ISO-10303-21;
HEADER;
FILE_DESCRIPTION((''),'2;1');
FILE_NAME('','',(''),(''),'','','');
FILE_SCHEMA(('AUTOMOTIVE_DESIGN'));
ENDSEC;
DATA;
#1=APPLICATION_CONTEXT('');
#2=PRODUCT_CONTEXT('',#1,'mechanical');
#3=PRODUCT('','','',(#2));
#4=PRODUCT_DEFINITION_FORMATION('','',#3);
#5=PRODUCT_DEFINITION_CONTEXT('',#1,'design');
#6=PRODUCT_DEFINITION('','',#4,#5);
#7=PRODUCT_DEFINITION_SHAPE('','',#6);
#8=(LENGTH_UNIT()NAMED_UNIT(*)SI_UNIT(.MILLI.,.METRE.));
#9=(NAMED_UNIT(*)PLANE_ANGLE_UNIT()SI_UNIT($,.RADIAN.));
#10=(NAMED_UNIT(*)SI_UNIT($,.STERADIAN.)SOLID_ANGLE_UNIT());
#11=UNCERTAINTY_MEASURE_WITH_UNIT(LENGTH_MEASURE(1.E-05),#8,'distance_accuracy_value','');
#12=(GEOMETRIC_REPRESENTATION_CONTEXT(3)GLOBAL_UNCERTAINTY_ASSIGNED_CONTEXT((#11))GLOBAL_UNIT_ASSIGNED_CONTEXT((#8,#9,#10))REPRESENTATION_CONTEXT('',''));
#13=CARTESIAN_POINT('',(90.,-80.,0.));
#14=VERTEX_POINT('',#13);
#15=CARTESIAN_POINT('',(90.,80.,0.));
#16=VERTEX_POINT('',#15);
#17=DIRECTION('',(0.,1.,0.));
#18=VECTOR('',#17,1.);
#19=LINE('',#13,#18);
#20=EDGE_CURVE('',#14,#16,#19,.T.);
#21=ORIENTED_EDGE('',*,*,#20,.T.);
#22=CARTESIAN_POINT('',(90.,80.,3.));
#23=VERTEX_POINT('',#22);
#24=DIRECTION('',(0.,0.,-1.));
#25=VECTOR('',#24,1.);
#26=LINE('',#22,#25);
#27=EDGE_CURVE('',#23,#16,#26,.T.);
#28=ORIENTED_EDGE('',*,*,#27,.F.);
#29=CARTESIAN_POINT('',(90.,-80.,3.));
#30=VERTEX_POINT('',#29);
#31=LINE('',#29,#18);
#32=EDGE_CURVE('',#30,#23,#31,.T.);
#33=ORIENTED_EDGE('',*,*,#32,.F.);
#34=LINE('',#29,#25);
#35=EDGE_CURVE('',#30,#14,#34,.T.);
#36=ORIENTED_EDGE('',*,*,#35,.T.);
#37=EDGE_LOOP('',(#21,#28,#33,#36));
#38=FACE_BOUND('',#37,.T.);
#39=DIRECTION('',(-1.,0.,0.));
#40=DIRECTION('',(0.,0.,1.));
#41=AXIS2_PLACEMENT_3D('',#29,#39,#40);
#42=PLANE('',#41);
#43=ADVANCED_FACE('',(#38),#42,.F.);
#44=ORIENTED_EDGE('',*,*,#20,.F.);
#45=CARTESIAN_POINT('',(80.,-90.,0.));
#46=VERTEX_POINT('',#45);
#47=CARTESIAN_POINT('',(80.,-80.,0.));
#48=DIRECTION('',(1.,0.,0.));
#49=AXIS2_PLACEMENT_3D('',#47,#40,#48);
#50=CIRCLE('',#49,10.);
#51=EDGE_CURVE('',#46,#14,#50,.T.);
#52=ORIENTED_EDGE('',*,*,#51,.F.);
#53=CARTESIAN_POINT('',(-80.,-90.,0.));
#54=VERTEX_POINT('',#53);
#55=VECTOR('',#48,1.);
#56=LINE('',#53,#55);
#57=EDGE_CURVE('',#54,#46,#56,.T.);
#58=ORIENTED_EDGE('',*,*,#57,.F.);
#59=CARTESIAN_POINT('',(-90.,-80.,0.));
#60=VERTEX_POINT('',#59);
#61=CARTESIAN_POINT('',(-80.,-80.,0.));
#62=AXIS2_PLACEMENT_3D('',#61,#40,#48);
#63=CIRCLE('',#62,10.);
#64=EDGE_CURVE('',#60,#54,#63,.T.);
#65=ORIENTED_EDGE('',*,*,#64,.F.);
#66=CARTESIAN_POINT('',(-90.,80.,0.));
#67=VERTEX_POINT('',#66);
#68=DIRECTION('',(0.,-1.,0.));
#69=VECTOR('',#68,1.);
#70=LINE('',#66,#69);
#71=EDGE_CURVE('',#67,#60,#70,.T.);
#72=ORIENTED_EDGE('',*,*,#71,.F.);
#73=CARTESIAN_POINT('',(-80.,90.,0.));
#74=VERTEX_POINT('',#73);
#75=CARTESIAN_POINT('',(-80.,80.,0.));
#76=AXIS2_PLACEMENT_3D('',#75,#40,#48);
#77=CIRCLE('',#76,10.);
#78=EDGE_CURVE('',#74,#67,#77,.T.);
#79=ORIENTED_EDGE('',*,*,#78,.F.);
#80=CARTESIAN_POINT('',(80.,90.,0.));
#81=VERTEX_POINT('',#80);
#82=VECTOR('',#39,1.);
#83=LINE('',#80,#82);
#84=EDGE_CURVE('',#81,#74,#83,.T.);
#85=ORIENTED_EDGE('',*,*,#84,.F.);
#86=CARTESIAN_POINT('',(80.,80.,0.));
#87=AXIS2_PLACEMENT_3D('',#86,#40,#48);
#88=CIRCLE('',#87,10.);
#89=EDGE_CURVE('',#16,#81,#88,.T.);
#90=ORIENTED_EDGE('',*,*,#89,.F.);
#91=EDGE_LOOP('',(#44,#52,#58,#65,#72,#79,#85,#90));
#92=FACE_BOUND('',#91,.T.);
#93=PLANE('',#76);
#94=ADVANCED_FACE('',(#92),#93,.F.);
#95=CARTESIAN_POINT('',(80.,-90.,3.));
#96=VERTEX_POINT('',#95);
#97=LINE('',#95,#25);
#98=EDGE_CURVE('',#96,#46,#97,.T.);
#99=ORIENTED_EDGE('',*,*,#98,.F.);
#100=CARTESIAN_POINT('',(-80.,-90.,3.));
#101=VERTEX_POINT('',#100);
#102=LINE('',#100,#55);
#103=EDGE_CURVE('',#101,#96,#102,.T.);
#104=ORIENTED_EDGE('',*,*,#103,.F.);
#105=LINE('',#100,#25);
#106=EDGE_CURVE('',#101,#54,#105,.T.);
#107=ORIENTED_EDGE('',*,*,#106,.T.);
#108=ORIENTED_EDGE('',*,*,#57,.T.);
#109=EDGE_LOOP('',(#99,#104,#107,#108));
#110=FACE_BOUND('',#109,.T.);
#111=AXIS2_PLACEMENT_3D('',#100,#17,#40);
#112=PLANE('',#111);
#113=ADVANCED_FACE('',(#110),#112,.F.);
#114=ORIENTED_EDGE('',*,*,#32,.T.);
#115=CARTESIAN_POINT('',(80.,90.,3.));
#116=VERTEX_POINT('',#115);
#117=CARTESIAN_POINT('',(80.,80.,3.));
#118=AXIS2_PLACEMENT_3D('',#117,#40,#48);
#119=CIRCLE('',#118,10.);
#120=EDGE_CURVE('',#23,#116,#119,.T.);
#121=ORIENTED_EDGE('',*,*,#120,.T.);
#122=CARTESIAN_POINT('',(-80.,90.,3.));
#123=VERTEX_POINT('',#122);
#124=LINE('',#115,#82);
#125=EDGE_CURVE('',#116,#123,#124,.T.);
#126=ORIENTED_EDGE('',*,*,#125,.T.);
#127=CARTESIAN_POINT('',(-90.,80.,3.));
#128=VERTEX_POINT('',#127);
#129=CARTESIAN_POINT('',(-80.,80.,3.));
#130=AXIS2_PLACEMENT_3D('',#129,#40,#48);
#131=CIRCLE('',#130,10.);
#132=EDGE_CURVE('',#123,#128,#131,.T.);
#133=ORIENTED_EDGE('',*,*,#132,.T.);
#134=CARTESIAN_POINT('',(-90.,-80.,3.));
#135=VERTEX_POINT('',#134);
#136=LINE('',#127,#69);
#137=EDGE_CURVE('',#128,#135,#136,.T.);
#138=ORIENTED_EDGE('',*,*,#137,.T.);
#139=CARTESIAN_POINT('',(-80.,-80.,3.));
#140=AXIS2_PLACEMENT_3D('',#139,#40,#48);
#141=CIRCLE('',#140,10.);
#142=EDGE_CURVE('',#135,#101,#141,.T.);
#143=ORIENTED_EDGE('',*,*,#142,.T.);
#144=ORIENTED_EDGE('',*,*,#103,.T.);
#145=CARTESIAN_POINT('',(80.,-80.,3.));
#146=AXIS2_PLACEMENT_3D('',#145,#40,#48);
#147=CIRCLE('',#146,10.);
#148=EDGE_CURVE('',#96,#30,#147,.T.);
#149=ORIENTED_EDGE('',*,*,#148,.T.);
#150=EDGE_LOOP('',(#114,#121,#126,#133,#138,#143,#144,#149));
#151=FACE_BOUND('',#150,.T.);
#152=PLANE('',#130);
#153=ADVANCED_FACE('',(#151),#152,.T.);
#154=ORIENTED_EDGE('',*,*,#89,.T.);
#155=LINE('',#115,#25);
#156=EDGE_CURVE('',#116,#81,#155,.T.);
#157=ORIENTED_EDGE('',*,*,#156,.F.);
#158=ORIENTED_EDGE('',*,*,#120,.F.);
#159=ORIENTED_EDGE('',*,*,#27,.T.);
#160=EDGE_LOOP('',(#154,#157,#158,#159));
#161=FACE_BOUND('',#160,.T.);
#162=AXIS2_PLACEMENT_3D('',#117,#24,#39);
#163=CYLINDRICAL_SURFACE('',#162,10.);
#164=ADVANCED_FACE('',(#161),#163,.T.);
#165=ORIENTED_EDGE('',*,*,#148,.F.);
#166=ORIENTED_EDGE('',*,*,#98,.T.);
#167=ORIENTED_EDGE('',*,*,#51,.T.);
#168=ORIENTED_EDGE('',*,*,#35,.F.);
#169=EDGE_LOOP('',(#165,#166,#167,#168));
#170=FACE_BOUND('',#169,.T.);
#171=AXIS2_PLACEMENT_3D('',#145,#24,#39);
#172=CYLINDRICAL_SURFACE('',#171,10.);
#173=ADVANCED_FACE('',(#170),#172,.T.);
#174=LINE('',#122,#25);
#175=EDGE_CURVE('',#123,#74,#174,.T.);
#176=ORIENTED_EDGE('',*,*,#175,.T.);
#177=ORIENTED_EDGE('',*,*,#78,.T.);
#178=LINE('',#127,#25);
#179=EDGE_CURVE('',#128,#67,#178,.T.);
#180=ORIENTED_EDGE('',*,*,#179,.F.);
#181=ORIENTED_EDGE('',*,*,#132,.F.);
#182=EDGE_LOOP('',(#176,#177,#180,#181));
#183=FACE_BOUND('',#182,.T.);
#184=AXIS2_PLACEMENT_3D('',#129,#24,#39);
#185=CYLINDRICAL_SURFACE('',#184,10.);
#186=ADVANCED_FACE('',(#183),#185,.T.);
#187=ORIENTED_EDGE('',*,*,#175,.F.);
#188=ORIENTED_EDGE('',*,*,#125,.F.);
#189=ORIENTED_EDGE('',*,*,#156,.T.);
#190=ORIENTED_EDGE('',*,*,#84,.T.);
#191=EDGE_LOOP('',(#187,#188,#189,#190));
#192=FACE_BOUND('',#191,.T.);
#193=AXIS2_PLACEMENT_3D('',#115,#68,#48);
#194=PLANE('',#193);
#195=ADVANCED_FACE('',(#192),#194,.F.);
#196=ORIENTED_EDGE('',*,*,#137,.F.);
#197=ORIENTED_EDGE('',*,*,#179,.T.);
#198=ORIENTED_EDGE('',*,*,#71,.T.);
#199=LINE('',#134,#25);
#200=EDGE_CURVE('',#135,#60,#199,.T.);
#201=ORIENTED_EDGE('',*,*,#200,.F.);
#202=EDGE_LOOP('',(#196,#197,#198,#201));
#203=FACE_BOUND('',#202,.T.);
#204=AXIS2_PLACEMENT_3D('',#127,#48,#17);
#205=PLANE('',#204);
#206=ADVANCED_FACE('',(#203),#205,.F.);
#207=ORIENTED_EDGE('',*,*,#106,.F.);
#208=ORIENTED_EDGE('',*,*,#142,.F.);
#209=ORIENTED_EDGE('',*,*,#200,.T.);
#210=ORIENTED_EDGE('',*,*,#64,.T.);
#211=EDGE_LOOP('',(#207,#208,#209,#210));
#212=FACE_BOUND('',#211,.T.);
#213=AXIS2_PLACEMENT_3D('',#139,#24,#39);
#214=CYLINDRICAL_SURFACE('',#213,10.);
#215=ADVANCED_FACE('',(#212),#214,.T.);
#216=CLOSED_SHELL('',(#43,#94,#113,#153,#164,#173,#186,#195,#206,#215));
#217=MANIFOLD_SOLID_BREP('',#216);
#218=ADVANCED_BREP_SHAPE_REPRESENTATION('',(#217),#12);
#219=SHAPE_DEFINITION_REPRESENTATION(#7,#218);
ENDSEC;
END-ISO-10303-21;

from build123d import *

# Parameters (mm, degrees)
BOSS_EXTRUDE1_DEPTH = 3


with BuildPart() as part:
    # Sketch1 → Boss-Extrude1 (new body)
    with BuildSketch(Plane.XY):
        with BuildLine():
            Line((-90, 80), (-90, -80))
            ThreePointArc((-90, -80), (-87.071067812, -87.071067812), (-80, -90))
            Line((-80, -90), (80, -90))
            ThreePointArc((80, -90), (87.071067812, -87.071067812), (90, -80))
            Line((90, -80), (90, 80))
            ThreePointArc((90, 80), (87.071067812, 87.071067812), (80, 90))
            Line((80, 90), (-80, 90))
            ThreePointArc((-80, 90), (-87.071067812, 87.071067812), (-90, 80))
        make_face()
    extrude(amount=BOSS_EXTRUDE1_DEPTH)


solid = part.part
